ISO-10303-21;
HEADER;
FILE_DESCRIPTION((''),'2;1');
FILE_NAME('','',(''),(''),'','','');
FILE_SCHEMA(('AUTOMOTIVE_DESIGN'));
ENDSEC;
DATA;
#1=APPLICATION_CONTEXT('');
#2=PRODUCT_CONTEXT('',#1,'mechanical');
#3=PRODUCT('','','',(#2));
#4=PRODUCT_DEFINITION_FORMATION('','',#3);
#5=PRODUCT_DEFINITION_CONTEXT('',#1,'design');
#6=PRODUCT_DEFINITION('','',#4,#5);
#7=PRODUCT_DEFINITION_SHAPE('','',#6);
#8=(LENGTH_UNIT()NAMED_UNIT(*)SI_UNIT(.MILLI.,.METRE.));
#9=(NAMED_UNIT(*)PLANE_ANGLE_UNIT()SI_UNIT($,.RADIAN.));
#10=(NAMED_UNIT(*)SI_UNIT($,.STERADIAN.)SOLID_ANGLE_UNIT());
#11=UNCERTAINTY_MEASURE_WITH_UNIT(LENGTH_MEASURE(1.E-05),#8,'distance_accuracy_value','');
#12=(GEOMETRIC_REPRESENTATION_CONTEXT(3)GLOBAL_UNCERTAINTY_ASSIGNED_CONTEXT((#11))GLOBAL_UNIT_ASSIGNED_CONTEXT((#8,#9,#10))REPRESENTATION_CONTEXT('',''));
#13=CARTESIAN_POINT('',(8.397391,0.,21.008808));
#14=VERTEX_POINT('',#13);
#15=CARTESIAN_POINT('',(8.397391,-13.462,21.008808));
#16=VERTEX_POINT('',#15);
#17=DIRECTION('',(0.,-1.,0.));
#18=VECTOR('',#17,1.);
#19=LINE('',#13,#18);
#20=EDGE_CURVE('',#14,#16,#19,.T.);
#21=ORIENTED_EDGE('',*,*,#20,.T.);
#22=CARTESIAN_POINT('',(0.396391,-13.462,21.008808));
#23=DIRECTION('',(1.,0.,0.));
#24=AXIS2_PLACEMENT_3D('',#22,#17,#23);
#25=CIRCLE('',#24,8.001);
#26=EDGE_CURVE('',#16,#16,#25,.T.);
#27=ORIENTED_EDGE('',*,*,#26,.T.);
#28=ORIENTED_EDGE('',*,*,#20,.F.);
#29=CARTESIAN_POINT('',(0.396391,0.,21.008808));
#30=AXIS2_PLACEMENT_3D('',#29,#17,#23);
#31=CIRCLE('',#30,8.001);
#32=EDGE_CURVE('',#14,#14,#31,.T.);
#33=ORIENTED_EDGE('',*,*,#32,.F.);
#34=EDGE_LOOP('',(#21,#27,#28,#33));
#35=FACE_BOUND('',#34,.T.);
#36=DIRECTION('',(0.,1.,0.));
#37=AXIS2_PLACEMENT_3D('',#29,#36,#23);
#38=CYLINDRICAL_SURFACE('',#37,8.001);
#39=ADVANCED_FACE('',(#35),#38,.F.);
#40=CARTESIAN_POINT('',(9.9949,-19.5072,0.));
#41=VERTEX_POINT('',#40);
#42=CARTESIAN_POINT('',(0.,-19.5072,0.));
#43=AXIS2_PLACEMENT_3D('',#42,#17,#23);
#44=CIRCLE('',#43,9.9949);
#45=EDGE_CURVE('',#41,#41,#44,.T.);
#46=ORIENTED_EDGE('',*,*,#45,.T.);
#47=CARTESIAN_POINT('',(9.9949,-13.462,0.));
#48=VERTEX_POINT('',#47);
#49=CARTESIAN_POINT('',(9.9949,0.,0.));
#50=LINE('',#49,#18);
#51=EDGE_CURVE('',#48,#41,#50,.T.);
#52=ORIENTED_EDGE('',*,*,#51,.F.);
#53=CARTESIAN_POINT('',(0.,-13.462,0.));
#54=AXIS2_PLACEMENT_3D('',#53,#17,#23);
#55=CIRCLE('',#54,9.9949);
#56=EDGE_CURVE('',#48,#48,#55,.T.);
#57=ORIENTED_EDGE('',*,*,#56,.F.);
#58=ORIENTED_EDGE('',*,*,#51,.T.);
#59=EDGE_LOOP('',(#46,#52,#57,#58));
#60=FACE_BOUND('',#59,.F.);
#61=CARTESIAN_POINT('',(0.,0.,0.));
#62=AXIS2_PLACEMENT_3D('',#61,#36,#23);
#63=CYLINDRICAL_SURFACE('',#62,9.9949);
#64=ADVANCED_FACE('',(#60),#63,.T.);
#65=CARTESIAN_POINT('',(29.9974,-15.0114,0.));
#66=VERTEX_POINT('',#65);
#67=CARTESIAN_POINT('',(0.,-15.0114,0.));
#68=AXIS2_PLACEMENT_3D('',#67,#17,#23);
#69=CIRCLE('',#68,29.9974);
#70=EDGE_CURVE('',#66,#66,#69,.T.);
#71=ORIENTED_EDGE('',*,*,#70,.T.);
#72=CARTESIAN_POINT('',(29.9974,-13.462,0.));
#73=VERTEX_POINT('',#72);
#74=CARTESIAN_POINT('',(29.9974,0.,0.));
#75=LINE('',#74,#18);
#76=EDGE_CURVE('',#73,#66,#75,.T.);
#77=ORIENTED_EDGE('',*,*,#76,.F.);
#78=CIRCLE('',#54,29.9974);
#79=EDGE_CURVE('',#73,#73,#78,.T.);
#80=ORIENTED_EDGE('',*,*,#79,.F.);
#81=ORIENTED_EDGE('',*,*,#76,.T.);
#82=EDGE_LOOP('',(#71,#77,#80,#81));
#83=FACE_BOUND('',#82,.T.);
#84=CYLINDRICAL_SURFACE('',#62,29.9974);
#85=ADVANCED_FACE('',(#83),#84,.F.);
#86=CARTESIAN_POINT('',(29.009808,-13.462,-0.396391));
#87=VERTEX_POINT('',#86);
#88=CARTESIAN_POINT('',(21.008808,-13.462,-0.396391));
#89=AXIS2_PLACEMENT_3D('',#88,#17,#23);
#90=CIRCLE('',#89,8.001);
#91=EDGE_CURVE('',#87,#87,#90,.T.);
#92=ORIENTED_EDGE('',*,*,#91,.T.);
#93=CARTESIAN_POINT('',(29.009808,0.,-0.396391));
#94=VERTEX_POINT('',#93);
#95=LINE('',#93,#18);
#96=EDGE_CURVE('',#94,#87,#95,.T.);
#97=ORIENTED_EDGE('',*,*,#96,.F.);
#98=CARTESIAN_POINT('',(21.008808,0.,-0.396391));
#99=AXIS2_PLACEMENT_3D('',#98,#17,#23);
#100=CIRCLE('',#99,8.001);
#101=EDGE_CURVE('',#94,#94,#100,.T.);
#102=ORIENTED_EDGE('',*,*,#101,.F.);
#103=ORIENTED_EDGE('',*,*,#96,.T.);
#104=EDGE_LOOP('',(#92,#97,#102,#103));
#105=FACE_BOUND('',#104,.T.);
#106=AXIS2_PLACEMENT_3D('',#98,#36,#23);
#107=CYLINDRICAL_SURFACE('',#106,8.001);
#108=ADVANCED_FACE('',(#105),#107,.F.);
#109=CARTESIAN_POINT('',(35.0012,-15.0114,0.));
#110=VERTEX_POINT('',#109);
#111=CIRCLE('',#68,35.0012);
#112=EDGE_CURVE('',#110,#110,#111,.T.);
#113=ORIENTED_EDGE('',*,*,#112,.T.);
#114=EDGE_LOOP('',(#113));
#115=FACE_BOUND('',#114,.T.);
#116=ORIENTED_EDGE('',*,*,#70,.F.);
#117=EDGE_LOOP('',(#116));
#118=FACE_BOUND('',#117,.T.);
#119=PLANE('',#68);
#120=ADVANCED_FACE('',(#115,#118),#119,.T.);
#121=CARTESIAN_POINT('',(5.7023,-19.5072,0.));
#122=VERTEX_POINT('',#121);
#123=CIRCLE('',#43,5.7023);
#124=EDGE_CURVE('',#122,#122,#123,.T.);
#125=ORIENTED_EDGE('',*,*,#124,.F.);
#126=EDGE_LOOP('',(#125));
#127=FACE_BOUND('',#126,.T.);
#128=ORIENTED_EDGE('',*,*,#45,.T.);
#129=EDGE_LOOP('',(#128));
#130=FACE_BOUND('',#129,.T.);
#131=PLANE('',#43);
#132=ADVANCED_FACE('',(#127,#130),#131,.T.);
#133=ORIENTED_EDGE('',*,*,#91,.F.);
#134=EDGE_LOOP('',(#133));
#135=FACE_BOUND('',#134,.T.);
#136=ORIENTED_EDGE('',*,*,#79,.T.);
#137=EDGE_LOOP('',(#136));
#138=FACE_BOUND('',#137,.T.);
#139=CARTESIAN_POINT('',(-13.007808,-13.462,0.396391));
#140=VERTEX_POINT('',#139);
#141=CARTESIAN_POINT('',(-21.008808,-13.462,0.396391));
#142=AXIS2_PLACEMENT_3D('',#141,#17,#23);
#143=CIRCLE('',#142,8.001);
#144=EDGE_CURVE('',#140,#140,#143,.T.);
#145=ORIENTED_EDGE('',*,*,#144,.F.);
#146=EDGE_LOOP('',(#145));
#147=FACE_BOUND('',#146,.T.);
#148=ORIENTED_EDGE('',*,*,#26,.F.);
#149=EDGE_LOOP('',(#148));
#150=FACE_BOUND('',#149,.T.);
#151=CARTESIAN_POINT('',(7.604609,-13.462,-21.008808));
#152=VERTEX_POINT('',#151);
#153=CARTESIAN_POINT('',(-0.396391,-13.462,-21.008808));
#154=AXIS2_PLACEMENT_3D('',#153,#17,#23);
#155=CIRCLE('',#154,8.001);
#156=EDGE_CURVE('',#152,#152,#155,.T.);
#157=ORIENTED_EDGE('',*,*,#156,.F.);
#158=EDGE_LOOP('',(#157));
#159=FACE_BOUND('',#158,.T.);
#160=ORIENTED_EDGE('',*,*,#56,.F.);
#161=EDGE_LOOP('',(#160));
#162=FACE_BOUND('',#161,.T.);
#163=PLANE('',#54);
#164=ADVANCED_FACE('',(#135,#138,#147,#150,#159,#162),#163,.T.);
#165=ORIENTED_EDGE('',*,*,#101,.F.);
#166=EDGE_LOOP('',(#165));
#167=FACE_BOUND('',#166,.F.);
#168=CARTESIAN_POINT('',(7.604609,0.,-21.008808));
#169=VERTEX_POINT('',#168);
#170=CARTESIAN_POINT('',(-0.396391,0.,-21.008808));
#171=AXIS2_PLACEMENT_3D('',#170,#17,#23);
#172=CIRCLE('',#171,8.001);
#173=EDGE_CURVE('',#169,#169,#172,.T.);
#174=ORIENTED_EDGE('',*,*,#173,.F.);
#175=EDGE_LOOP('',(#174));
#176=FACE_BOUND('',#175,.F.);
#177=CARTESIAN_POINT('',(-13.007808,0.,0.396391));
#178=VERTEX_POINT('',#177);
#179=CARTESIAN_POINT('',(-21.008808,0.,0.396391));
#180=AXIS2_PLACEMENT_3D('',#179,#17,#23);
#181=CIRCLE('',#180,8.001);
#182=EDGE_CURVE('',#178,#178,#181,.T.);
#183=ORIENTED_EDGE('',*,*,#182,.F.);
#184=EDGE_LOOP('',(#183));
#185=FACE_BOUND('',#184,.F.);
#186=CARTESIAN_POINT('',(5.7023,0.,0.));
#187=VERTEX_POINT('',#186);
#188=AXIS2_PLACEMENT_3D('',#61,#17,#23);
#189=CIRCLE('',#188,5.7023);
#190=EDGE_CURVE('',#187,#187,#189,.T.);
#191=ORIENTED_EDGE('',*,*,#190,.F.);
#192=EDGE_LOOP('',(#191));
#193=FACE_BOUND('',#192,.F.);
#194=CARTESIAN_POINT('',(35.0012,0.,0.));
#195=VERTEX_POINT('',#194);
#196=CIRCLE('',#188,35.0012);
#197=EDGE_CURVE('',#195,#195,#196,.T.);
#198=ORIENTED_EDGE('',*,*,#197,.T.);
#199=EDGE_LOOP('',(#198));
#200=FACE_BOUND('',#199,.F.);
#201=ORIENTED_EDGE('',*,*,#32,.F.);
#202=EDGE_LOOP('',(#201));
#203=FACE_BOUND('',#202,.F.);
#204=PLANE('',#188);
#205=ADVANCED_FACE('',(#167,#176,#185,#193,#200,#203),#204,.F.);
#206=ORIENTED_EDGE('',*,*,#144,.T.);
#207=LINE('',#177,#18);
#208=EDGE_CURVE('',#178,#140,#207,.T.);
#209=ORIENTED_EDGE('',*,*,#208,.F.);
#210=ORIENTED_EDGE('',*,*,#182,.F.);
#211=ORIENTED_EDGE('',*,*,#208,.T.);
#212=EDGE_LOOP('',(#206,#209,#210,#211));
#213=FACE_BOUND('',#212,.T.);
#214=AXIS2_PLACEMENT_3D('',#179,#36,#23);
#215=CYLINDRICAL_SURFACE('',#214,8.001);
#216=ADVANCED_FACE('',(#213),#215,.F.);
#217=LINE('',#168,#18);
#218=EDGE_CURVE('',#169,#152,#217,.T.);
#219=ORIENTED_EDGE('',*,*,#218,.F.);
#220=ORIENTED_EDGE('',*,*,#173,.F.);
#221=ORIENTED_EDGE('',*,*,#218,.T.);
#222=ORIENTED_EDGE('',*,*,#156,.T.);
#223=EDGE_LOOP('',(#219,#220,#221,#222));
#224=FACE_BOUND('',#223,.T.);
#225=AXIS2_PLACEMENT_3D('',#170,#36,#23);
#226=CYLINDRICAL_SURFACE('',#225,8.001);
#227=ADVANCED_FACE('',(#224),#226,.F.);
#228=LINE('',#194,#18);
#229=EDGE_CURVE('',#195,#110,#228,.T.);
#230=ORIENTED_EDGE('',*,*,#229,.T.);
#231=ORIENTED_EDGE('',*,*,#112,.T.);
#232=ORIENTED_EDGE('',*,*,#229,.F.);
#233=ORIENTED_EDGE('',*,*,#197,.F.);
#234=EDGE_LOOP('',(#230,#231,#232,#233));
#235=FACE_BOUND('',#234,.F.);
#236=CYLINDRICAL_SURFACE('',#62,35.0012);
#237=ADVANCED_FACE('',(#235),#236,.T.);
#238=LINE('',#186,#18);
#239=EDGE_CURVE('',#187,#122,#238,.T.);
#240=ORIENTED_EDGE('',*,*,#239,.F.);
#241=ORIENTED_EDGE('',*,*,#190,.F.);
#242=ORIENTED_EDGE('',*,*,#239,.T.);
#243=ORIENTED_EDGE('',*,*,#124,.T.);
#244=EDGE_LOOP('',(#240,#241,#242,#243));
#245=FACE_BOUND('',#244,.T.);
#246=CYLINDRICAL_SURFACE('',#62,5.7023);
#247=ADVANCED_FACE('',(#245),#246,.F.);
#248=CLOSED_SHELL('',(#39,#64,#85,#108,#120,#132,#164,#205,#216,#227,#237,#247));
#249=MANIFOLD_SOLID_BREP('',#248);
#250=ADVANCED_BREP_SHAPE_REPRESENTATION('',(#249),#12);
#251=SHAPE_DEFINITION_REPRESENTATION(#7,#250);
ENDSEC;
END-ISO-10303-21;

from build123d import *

# Parameters (mm, degrees)
F0_R     = 9.9949
F0_R_2   = 5.7023
F1_DEPTH = 19.5072
F0_R_3   = 29.9974
F0_R_4   = 8.001
F2_DEPTH = 13.462
F0_R_5   = 35.0012
F3_DEPTH = 15.0114


with BuildPart() as f1:
    # F0 (on Front) → F1 (new body)
    with BuildSketch(Plane.XZ):
        Circle(F0_R)
        Circle(F0_R_2, mode=Mode.SUBTRACT)
    extrude(amount=F1_DEPTH)

    # F0 (on Front) → F2 (join)
    with BuildSketch(Plane.XZ):
        Circle(F0_R_3)
        with Locations((-0.396391, -21.008808)):
            Circle(F0_R_4, mode=Mode.SUBTRACT)
        with Locations((21.008808, -0.396391)):
            Circle(F0_R_4, mode=Mode.SUBTRACT)
        with Locations((-21.008808, 0.396391)):
            Circle(F0_R_4, mode=Mode.SUBTRACT)
        Circle(F0_R, mode=Mode.SUBTRACT)
        with Locations((0.396391, 21.008808)):
            Circle(F0_R_4, mode=Mode.SUBTRACT)
    extrude(amount=F2_DEPTH)

    # F0 (on Front) → F3 (join)
    with BuildSketch(Plane.XZ):
        Circle(F0_R_5)
        Circle(F0_R_3, mode=Mode.SUBTRACT)
    extrude(amount=F3_DEPTH)


solid = f1.part
